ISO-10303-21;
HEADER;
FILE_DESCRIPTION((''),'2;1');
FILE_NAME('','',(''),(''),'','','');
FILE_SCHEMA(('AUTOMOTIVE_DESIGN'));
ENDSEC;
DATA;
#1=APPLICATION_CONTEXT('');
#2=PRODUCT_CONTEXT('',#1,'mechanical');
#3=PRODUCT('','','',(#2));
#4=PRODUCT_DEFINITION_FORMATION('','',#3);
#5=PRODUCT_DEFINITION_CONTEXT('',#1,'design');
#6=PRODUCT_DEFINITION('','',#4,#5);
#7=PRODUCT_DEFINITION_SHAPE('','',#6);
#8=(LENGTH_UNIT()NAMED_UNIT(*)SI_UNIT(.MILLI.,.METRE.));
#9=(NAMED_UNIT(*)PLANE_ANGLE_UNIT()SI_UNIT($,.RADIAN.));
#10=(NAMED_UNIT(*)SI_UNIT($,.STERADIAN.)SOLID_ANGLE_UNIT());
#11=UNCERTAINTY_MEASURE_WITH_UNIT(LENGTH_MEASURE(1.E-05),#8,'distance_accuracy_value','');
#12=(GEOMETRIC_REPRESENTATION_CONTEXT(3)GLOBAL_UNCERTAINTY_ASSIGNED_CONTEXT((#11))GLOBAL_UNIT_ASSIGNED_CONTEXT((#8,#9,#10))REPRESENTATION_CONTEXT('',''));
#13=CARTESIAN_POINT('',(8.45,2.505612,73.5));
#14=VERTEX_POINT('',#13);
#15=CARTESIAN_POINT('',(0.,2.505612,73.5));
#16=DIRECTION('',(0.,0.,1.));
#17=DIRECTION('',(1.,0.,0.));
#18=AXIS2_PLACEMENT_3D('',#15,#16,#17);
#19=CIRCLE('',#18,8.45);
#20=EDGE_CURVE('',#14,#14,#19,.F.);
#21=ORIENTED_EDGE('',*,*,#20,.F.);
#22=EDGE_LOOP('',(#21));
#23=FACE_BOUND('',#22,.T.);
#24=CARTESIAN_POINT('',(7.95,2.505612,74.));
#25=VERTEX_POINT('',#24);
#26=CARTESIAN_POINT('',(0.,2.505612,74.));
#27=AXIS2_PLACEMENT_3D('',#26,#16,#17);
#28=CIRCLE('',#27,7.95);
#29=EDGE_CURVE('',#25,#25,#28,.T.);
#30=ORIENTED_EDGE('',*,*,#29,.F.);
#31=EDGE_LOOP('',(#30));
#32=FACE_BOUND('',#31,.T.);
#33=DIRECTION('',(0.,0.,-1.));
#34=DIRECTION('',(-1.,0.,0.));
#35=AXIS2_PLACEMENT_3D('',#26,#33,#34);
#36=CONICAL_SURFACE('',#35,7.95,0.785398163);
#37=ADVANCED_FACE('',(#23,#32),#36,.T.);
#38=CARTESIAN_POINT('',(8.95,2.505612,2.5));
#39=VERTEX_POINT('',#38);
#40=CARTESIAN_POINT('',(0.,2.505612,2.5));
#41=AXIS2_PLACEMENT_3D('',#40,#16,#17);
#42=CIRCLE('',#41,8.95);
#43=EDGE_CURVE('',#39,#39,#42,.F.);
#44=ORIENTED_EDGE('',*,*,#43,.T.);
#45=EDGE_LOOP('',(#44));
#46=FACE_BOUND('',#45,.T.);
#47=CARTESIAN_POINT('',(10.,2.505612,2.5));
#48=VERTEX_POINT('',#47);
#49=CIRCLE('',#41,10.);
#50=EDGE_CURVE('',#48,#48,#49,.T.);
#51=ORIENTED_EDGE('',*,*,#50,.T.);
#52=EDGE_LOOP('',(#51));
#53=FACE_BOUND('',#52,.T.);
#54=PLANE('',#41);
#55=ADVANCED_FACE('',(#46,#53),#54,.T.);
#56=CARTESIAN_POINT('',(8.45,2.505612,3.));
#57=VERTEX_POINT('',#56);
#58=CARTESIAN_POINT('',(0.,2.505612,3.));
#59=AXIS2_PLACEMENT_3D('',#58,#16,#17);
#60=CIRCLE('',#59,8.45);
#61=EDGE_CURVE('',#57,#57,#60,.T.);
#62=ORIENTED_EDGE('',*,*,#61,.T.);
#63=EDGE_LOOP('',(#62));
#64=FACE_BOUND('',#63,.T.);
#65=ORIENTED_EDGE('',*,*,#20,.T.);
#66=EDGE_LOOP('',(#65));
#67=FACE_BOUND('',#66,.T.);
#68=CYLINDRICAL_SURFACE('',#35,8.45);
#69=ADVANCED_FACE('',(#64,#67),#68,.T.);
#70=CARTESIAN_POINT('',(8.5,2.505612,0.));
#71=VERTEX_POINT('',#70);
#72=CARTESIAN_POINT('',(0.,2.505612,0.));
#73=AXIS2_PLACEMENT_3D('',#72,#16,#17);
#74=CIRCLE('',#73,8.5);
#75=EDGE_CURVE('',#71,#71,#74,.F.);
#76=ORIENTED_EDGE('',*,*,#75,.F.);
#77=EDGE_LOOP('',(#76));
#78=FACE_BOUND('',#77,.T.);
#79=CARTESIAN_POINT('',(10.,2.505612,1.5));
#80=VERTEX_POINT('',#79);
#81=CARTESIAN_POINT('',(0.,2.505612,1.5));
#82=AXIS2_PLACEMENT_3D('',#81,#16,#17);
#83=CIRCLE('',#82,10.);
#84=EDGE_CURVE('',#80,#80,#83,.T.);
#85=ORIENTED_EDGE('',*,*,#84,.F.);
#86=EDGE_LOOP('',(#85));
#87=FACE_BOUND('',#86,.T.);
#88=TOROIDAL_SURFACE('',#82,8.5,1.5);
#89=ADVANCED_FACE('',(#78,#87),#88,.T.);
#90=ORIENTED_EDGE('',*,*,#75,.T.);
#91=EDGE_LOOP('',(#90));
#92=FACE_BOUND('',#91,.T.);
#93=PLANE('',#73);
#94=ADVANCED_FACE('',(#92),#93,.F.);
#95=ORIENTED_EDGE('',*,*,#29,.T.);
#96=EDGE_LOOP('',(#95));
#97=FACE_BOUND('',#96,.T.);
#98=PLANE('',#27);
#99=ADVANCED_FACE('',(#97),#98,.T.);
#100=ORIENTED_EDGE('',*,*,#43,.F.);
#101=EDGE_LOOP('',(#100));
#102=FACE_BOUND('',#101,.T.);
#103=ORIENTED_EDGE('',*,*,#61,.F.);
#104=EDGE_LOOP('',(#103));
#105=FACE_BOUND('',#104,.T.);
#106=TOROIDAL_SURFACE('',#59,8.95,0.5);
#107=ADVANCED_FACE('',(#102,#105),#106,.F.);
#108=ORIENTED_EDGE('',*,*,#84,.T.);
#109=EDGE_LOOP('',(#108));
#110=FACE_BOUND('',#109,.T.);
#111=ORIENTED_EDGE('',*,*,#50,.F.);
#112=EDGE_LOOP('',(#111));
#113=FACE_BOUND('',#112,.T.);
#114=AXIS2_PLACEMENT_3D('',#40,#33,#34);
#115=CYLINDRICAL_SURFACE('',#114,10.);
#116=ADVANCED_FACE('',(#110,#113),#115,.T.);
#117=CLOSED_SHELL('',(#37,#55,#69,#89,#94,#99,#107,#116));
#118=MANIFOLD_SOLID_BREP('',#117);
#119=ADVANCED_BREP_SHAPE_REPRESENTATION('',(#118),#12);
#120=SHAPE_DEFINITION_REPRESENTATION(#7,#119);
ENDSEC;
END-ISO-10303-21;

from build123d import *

# Parameters (mm, degrees)
SCHIZZO1_R                   = 10
ESTRUSIONE_ESTRUSIONE1_DEPTH = 2.5
SCHIZZO2_R                   = 8.45
ESTRUSIONE_ESTRUSIONE2_DEPTH = 71.5
RACCORDO1_R                  = 0.5
SMUSSO2_SIZE                 = 0.5
RACCORDO3_R                  = 1.5


with BuildPart() as part:
    # Schizzo1 → Estrusione-Estrusione1 (new body)
    with BuildSketch(Plane.XY):
        with Locations((0, 2.505612013)):
            Circle(SCHIZZO1_R)
    extrude(amount=ESTRUSIONE_ESTRUSIONE1_DEPTH)

    # Schizzo2 → Estrusione-Estrusione2 (add)
    with BuildSketch(Plane.XY.offset(2.5)):
        with Locations((0, 2.505612013)):
            Circle(SCHIZZO2_R)
    extrude(amount=ESTRUSIONE_ESTRUSIONE2_DEPTH)

    # Raccordo1
    raccordo1_edges = [part.edges().sort_by_distance(p)[0] for p in [
        (-8.45, 2.505612013, 2.5),
    ]]
    fillet(raccordo1_edges, radius=RACCORDO1_R)

    # Smusso2
    smusso2_edges = [part.edges().sort_by_distance(p)[0] for p in [
        (-8.45, 2.505612013, 74),
    ]]
    chamfer(smusso2_edges, length=SMUSSO2_SIZE)

    # Raccordo3
    raccordo3_edges = [part.edges().sort_by_distance(p)[0] for p in [
        (-10, 2.505612013, 0),
    ]]
    fillet(raccordo3_edges, radius=RACCORDO3_R)


solid = part.part
